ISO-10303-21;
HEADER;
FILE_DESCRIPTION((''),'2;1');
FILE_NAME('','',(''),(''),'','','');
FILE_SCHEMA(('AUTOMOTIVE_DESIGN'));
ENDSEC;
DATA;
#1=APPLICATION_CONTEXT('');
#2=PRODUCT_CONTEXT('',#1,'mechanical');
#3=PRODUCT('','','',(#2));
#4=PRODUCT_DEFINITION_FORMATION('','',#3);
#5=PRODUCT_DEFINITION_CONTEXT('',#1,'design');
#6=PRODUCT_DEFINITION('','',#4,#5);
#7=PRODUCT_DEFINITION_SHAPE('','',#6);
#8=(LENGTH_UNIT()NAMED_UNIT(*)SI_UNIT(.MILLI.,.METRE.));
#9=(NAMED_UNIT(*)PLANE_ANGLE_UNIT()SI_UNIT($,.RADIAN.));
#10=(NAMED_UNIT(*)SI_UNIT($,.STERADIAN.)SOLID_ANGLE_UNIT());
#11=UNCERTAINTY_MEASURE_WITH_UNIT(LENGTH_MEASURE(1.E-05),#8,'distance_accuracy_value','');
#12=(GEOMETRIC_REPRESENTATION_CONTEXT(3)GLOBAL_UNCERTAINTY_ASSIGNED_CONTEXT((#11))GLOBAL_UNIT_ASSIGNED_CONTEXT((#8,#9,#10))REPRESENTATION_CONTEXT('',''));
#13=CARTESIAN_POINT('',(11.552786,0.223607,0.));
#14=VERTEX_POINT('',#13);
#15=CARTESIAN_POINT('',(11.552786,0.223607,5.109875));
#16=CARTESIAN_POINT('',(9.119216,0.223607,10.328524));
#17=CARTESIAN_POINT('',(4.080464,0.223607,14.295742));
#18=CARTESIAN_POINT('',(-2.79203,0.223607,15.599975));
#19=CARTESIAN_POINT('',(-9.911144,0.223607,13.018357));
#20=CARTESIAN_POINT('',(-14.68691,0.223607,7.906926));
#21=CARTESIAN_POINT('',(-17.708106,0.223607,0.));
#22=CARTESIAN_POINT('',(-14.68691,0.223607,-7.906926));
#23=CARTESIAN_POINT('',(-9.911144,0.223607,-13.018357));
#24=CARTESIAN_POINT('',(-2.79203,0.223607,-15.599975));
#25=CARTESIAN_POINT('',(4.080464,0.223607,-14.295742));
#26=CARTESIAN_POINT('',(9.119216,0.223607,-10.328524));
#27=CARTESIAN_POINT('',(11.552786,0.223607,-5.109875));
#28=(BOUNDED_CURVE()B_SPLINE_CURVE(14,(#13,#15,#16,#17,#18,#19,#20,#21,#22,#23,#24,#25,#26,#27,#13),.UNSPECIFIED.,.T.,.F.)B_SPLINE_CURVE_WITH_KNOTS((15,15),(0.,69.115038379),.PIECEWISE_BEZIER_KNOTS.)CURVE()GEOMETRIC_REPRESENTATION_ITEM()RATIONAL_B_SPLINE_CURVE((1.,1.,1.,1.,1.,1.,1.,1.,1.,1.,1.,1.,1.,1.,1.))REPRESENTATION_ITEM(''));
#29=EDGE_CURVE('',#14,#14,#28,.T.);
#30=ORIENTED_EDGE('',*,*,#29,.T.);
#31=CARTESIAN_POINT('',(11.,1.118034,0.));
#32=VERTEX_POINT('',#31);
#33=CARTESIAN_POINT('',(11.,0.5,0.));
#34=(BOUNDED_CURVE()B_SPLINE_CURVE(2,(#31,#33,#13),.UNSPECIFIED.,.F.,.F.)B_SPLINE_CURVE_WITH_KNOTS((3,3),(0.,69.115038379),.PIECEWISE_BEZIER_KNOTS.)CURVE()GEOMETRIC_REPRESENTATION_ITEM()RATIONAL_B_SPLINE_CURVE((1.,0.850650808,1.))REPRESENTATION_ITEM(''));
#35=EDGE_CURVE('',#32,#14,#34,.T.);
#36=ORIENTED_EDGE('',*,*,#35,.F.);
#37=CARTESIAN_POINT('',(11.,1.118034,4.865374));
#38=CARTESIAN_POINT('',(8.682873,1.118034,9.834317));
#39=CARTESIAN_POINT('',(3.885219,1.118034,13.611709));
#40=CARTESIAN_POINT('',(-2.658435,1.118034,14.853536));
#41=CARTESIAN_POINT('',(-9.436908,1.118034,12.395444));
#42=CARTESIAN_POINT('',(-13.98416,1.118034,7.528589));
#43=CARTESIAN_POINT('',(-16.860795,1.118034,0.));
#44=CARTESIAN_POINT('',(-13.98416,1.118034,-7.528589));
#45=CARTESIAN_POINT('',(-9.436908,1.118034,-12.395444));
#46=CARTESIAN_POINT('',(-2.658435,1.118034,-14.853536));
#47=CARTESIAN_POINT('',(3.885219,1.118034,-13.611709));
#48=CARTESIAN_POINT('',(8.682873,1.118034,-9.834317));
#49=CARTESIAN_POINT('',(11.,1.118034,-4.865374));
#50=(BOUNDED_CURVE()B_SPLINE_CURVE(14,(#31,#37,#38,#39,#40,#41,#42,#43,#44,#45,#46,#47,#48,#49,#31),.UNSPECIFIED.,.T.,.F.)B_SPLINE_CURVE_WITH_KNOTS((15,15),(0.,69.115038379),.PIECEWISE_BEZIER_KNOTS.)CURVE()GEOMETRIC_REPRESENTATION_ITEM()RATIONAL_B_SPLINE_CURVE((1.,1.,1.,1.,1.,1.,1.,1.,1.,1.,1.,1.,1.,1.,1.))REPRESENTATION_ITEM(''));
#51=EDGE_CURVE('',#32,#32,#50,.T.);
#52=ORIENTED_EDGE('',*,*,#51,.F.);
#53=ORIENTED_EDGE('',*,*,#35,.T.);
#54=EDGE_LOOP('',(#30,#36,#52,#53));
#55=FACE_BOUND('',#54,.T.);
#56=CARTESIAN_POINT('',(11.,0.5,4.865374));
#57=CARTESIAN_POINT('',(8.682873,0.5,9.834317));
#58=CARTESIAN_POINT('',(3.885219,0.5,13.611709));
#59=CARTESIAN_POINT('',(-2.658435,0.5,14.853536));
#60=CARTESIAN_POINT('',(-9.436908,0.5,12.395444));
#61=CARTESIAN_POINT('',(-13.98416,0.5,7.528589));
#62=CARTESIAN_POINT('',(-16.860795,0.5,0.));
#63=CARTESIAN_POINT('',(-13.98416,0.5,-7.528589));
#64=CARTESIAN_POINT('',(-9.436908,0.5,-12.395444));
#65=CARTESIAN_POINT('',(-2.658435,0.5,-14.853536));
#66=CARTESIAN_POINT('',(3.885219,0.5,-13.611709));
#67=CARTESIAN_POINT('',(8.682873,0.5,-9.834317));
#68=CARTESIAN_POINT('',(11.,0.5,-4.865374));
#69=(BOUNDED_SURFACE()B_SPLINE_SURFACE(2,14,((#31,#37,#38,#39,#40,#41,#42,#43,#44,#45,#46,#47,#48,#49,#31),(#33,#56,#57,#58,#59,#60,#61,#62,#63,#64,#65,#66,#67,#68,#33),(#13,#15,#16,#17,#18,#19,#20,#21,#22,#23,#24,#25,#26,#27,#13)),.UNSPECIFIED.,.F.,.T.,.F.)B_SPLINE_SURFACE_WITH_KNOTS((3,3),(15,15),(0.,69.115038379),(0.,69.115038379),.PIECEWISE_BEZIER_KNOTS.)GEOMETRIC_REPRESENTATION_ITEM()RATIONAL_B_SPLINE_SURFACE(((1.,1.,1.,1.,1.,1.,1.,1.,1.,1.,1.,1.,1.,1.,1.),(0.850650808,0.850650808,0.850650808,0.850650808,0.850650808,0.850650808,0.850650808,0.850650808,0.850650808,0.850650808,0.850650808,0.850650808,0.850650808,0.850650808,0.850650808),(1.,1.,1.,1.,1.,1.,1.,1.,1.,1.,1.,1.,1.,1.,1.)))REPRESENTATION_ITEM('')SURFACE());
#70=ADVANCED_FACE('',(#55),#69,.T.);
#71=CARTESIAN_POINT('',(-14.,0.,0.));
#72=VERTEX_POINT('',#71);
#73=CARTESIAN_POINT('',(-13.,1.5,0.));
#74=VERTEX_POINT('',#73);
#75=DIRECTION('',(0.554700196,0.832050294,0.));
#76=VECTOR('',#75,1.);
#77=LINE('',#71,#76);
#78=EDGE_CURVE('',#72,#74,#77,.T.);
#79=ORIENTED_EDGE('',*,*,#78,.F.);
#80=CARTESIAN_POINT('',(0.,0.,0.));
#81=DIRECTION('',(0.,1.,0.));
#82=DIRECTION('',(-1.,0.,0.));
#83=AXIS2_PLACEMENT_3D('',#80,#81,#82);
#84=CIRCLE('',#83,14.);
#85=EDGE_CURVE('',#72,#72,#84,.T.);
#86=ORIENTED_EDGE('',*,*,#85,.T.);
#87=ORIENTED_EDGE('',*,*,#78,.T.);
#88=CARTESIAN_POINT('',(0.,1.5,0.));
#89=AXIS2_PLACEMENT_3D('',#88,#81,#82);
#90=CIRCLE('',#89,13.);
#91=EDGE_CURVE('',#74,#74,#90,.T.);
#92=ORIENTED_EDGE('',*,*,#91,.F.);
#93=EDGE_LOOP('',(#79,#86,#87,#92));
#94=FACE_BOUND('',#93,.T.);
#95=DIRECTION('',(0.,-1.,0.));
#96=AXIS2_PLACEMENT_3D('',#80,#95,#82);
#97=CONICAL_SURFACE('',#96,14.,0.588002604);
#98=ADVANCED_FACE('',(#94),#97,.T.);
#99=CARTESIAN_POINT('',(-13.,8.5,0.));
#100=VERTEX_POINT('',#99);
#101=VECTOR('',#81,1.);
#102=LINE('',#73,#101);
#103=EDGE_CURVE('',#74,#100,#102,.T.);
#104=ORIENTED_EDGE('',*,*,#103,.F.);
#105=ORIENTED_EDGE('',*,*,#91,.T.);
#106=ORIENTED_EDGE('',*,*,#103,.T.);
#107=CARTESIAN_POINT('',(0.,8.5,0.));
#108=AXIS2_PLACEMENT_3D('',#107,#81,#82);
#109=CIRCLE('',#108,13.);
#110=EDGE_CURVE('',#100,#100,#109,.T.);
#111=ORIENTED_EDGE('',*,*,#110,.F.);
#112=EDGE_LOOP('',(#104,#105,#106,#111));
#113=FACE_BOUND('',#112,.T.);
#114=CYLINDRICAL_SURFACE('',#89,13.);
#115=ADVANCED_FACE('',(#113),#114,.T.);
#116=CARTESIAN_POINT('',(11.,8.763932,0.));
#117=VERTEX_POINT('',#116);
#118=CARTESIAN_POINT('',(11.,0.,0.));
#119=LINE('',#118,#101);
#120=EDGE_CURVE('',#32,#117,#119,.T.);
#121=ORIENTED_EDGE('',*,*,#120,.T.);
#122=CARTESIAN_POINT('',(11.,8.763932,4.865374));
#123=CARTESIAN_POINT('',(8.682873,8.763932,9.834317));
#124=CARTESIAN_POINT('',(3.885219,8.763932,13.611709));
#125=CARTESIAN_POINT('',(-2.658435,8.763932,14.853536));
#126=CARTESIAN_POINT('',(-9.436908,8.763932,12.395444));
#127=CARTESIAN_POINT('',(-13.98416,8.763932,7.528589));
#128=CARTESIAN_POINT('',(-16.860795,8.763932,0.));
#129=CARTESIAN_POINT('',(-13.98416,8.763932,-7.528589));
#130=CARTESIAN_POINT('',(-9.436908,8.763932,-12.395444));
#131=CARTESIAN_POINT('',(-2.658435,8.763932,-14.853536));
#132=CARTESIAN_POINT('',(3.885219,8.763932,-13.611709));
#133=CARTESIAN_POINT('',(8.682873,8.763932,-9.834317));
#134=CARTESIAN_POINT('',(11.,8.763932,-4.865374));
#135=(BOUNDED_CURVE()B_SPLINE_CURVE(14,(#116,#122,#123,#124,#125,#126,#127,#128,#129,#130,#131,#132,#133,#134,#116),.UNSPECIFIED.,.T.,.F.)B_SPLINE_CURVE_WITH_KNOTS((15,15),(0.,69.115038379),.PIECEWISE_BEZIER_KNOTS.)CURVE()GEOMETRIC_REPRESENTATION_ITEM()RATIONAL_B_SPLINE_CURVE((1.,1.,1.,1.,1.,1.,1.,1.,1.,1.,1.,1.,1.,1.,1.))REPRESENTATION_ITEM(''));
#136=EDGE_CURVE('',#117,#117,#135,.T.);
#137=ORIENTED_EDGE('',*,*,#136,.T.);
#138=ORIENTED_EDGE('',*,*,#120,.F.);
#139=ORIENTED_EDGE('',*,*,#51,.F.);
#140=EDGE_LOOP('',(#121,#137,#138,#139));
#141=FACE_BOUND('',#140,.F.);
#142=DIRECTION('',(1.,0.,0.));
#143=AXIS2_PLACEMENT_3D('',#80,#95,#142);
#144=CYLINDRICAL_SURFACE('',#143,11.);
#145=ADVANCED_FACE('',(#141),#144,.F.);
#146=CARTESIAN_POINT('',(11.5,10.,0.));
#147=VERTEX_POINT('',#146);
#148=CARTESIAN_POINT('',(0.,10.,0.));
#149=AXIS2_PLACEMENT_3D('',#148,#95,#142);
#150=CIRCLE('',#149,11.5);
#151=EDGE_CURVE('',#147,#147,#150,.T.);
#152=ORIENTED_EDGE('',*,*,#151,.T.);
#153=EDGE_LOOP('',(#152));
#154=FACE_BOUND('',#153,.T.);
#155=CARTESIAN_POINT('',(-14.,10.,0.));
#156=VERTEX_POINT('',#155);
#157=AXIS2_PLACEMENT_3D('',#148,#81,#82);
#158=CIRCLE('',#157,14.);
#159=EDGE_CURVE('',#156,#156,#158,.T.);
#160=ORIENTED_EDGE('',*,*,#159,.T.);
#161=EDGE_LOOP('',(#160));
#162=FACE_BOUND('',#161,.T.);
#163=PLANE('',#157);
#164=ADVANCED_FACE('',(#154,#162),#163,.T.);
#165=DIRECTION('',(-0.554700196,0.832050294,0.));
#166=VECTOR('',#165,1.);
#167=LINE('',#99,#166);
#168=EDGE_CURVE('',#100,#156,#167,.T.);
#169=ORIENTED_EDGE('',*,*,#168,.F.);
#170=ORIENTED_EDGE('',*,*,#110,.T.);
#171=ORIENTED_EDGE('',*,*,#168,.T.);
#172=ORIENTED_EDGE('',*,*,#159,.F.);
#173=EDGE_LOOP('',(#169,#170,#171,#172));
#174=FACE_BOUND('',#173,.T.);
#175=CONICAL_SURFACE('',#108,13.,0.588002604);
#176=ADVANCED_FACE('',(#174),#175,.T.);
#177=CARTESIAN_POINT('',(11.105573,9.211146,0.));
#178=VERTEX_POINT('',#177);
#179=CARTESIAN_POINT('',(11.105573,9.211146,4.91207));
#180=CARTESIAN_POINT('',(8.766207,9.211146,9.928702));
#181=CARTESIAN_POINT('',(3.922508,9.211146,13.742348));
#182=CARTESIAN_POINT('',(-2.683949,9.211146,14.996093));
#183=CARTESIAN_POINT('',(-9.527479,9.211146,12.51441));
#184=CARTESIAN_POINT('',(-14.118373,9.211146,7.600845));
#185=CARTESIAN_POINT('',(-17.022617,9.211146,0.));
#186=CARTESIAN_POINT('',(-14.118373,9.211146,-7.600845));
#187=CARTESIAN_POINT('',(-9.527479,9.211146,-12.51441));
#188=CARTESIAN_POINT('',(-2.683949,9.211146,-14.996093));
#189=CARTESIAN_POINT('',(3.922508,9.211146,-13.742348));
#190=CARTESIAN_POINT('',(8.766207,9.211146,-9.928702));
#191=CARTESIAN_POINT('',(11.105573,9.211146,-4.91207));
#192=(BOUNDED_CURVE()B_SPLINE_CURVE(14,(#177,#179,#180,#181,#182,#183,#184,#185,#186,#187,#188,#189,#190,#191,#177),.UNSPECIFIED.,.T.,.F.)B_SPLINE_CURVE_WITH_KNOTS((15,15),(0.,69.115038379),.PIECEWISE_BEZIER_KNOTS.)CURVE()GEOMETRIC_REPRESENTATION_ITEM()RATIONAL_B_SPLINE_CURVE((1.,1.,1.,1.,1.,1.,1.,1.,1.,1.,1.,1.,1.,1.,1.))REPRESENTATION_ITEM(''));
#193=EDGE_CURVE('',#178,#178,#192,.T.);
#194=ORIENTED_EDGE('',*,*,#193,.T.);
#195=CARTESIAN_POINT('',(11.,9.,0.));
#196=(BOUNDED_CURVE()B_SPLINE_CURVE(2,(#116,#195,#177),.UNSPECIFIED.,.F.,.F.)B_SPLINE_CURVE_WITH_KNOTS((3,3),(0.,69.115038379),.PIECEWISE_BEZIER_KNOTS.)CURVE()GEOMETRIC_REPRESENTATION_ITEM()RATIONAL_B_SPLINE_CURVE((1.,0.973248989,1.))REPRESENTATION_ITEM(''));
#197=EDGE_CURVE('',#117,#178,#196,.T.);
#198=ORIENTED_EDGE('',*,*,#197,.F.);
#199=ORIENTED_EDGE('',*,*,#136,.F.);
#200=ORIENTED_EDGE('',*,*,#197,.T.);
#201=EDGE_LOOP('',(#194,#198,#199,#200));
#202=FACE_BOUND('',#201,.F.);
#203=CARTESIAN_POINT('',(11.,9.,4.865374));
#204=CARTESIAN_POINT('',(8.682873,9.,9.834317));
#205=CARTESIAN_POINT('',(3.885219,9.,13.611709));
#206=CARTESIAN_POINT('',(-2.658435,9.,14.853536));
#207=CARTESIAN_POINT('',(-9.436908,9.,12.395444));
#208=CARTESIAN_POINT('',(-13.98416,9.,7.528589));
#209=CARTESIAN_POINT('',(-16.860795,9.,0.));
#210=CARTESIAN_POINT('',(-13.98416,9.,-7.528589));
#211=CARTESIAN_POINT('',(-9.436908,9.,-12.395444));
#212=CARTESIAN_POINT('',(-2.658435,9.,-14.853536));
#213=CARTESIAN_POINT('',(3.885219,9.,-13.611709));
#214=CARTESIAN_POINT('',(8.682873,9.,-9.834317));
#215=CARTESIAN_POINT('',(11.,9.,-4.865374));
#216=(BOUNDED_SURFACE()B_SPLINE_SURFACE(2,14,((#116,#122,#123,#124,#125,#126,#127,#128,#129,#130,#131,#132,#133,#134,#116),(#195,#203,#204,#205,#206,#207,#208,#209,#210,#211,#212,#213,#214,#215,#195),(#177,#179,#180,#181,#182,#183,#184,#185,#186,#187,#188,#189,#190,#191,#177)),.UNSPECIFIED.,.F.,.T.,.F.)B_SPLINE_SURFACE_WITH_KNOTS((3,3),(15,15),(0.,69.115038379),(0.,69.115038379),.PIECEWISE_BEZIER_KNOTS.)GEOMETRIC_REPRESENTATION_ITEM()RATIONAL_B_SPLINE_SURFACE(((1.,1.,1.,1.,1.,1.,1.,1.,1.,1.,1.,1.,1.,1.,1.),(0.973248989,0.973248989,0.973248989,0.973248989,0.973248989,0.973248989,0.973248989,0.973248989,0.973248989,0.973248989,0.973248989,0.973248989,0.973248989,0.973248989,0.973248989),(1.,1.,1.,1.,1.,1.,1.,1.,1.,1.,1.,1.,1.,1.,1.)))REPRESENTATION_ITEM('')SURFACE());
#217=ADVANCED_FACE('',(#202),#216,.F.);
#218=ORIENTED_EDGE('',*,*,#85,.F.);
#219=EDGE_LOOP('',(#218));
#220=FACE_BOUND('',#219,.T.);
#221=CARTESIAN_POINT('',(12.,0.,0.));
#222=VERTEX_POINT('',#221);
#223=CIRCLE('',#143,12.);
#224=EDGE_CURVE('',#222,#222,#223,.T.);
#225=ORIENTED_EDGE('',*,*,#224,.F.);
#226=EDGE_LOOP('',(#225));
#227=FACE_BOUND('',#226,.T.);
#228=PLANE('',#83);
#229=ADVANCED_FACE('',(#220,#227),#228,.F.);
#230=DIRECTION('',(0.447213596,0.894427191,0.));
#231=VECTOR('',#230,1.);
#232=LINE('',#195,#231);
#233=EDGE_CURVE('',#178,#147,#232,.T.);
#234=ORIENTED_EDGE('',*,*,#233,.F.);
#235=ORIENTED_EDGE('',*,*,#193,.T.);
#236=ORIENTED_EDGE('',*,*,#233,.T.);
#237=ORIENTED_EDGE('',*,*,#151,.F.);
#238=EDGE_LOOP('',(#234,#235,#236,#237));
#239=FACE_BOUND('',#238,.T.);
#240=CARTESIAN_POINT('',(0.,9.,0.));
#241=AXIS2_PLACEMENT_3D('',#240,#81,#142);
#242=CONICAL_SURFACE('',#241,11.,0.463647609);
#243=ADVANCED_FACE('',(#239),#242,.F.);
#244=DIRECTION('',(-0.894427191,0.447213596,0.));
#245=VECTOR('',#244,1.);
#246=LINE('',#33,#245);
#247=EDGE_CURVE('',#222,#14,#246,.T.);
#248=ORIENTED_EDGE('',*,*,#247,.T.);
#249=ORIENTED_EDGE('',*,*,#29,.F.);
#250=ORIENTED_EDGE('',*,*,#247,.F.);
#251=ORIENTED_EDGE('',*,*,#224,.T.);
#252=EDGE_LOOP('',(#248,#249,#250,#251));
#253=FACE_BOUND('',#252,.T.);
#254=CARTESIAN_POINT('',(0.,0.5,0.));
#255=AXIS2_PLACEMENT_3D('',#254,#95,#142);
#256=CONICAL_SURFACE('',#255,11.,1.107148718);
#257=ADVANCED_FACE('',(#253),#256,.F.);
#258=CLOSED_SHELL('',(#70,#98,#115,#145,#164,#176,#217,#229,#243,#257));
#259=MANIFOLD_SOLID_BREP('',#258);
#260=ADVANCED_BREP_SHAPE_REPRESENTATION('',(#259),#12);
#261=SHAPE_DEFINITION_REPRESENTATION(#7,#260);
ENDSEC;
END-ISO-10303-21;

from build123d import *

# Parameters (mm, degrees)
SKETCH001_R     = 11
POCKET_DEPTH    = 10
CHAMFER_1_SIZE2 = 0.5
CHAMFER_1_SIZE  = 1
CHAMFER_2_SIZE2 = 0.5
CHAMFER_2_SIZE  = 1
FILLET_R        = 1


with BuildPart() as part:
    # Sketch → Revolution (revolve)
    with BuildSketch(Plane.XY):
        Polygon((0, 0), (-14, 0), (-13, 1.5), (-13, 8.5), (-14, 10), (0, 10), align=None)
    revolve(axis=Axis((0, 0, 0), (0, 1, 0)))

    # Sketch001 (on Face1 of Revolution) → Pocket (cut)
    with BuildSketch(Plane.XZ):
        Circle(SKETCH001_R)
    extrude(amount=-POCKET_DEPTH, mode=Mode.SUBTRACT)

    # Chamfer 1
    chamfer_1_edges = [part.edges().sort_by_distance(p)[0] for p in [
        (-11, 10, 0),
    ]]
    chamfer_1_side = part.faces().sort_by_distance((-11, 5, 0))[0]
    chamfer(chamfer_1_edges, length=CHAMFER_1_SIZE, length2=CHAMFER_1_SIZE2, reference=chamfer_1_side)

    # Chamfer 2
    chamfer_2_edges = [part.edges().sort_by_distance(p)[0] for p in [
        (-11, 0, 0),
    ]]
    chamfer_2_side = part.faces().sort_by_distance((13.60402, 0, 0))[0]
    chamfer(chamfer_2_edges, length=CHAMFER_2_SIZE, length2=CHAMFER_2_SIZE2, reference=chamfer_2_side)

    # Fillet
    fillet_edges = [part.edges().sort_by_distance(p)[0] for p in [
        (-11, 9, 0),
        (-11, 0.5, 0),
    ]]
    fillet(fillet_edges, radius=FILLET_R)


solid = part.part
